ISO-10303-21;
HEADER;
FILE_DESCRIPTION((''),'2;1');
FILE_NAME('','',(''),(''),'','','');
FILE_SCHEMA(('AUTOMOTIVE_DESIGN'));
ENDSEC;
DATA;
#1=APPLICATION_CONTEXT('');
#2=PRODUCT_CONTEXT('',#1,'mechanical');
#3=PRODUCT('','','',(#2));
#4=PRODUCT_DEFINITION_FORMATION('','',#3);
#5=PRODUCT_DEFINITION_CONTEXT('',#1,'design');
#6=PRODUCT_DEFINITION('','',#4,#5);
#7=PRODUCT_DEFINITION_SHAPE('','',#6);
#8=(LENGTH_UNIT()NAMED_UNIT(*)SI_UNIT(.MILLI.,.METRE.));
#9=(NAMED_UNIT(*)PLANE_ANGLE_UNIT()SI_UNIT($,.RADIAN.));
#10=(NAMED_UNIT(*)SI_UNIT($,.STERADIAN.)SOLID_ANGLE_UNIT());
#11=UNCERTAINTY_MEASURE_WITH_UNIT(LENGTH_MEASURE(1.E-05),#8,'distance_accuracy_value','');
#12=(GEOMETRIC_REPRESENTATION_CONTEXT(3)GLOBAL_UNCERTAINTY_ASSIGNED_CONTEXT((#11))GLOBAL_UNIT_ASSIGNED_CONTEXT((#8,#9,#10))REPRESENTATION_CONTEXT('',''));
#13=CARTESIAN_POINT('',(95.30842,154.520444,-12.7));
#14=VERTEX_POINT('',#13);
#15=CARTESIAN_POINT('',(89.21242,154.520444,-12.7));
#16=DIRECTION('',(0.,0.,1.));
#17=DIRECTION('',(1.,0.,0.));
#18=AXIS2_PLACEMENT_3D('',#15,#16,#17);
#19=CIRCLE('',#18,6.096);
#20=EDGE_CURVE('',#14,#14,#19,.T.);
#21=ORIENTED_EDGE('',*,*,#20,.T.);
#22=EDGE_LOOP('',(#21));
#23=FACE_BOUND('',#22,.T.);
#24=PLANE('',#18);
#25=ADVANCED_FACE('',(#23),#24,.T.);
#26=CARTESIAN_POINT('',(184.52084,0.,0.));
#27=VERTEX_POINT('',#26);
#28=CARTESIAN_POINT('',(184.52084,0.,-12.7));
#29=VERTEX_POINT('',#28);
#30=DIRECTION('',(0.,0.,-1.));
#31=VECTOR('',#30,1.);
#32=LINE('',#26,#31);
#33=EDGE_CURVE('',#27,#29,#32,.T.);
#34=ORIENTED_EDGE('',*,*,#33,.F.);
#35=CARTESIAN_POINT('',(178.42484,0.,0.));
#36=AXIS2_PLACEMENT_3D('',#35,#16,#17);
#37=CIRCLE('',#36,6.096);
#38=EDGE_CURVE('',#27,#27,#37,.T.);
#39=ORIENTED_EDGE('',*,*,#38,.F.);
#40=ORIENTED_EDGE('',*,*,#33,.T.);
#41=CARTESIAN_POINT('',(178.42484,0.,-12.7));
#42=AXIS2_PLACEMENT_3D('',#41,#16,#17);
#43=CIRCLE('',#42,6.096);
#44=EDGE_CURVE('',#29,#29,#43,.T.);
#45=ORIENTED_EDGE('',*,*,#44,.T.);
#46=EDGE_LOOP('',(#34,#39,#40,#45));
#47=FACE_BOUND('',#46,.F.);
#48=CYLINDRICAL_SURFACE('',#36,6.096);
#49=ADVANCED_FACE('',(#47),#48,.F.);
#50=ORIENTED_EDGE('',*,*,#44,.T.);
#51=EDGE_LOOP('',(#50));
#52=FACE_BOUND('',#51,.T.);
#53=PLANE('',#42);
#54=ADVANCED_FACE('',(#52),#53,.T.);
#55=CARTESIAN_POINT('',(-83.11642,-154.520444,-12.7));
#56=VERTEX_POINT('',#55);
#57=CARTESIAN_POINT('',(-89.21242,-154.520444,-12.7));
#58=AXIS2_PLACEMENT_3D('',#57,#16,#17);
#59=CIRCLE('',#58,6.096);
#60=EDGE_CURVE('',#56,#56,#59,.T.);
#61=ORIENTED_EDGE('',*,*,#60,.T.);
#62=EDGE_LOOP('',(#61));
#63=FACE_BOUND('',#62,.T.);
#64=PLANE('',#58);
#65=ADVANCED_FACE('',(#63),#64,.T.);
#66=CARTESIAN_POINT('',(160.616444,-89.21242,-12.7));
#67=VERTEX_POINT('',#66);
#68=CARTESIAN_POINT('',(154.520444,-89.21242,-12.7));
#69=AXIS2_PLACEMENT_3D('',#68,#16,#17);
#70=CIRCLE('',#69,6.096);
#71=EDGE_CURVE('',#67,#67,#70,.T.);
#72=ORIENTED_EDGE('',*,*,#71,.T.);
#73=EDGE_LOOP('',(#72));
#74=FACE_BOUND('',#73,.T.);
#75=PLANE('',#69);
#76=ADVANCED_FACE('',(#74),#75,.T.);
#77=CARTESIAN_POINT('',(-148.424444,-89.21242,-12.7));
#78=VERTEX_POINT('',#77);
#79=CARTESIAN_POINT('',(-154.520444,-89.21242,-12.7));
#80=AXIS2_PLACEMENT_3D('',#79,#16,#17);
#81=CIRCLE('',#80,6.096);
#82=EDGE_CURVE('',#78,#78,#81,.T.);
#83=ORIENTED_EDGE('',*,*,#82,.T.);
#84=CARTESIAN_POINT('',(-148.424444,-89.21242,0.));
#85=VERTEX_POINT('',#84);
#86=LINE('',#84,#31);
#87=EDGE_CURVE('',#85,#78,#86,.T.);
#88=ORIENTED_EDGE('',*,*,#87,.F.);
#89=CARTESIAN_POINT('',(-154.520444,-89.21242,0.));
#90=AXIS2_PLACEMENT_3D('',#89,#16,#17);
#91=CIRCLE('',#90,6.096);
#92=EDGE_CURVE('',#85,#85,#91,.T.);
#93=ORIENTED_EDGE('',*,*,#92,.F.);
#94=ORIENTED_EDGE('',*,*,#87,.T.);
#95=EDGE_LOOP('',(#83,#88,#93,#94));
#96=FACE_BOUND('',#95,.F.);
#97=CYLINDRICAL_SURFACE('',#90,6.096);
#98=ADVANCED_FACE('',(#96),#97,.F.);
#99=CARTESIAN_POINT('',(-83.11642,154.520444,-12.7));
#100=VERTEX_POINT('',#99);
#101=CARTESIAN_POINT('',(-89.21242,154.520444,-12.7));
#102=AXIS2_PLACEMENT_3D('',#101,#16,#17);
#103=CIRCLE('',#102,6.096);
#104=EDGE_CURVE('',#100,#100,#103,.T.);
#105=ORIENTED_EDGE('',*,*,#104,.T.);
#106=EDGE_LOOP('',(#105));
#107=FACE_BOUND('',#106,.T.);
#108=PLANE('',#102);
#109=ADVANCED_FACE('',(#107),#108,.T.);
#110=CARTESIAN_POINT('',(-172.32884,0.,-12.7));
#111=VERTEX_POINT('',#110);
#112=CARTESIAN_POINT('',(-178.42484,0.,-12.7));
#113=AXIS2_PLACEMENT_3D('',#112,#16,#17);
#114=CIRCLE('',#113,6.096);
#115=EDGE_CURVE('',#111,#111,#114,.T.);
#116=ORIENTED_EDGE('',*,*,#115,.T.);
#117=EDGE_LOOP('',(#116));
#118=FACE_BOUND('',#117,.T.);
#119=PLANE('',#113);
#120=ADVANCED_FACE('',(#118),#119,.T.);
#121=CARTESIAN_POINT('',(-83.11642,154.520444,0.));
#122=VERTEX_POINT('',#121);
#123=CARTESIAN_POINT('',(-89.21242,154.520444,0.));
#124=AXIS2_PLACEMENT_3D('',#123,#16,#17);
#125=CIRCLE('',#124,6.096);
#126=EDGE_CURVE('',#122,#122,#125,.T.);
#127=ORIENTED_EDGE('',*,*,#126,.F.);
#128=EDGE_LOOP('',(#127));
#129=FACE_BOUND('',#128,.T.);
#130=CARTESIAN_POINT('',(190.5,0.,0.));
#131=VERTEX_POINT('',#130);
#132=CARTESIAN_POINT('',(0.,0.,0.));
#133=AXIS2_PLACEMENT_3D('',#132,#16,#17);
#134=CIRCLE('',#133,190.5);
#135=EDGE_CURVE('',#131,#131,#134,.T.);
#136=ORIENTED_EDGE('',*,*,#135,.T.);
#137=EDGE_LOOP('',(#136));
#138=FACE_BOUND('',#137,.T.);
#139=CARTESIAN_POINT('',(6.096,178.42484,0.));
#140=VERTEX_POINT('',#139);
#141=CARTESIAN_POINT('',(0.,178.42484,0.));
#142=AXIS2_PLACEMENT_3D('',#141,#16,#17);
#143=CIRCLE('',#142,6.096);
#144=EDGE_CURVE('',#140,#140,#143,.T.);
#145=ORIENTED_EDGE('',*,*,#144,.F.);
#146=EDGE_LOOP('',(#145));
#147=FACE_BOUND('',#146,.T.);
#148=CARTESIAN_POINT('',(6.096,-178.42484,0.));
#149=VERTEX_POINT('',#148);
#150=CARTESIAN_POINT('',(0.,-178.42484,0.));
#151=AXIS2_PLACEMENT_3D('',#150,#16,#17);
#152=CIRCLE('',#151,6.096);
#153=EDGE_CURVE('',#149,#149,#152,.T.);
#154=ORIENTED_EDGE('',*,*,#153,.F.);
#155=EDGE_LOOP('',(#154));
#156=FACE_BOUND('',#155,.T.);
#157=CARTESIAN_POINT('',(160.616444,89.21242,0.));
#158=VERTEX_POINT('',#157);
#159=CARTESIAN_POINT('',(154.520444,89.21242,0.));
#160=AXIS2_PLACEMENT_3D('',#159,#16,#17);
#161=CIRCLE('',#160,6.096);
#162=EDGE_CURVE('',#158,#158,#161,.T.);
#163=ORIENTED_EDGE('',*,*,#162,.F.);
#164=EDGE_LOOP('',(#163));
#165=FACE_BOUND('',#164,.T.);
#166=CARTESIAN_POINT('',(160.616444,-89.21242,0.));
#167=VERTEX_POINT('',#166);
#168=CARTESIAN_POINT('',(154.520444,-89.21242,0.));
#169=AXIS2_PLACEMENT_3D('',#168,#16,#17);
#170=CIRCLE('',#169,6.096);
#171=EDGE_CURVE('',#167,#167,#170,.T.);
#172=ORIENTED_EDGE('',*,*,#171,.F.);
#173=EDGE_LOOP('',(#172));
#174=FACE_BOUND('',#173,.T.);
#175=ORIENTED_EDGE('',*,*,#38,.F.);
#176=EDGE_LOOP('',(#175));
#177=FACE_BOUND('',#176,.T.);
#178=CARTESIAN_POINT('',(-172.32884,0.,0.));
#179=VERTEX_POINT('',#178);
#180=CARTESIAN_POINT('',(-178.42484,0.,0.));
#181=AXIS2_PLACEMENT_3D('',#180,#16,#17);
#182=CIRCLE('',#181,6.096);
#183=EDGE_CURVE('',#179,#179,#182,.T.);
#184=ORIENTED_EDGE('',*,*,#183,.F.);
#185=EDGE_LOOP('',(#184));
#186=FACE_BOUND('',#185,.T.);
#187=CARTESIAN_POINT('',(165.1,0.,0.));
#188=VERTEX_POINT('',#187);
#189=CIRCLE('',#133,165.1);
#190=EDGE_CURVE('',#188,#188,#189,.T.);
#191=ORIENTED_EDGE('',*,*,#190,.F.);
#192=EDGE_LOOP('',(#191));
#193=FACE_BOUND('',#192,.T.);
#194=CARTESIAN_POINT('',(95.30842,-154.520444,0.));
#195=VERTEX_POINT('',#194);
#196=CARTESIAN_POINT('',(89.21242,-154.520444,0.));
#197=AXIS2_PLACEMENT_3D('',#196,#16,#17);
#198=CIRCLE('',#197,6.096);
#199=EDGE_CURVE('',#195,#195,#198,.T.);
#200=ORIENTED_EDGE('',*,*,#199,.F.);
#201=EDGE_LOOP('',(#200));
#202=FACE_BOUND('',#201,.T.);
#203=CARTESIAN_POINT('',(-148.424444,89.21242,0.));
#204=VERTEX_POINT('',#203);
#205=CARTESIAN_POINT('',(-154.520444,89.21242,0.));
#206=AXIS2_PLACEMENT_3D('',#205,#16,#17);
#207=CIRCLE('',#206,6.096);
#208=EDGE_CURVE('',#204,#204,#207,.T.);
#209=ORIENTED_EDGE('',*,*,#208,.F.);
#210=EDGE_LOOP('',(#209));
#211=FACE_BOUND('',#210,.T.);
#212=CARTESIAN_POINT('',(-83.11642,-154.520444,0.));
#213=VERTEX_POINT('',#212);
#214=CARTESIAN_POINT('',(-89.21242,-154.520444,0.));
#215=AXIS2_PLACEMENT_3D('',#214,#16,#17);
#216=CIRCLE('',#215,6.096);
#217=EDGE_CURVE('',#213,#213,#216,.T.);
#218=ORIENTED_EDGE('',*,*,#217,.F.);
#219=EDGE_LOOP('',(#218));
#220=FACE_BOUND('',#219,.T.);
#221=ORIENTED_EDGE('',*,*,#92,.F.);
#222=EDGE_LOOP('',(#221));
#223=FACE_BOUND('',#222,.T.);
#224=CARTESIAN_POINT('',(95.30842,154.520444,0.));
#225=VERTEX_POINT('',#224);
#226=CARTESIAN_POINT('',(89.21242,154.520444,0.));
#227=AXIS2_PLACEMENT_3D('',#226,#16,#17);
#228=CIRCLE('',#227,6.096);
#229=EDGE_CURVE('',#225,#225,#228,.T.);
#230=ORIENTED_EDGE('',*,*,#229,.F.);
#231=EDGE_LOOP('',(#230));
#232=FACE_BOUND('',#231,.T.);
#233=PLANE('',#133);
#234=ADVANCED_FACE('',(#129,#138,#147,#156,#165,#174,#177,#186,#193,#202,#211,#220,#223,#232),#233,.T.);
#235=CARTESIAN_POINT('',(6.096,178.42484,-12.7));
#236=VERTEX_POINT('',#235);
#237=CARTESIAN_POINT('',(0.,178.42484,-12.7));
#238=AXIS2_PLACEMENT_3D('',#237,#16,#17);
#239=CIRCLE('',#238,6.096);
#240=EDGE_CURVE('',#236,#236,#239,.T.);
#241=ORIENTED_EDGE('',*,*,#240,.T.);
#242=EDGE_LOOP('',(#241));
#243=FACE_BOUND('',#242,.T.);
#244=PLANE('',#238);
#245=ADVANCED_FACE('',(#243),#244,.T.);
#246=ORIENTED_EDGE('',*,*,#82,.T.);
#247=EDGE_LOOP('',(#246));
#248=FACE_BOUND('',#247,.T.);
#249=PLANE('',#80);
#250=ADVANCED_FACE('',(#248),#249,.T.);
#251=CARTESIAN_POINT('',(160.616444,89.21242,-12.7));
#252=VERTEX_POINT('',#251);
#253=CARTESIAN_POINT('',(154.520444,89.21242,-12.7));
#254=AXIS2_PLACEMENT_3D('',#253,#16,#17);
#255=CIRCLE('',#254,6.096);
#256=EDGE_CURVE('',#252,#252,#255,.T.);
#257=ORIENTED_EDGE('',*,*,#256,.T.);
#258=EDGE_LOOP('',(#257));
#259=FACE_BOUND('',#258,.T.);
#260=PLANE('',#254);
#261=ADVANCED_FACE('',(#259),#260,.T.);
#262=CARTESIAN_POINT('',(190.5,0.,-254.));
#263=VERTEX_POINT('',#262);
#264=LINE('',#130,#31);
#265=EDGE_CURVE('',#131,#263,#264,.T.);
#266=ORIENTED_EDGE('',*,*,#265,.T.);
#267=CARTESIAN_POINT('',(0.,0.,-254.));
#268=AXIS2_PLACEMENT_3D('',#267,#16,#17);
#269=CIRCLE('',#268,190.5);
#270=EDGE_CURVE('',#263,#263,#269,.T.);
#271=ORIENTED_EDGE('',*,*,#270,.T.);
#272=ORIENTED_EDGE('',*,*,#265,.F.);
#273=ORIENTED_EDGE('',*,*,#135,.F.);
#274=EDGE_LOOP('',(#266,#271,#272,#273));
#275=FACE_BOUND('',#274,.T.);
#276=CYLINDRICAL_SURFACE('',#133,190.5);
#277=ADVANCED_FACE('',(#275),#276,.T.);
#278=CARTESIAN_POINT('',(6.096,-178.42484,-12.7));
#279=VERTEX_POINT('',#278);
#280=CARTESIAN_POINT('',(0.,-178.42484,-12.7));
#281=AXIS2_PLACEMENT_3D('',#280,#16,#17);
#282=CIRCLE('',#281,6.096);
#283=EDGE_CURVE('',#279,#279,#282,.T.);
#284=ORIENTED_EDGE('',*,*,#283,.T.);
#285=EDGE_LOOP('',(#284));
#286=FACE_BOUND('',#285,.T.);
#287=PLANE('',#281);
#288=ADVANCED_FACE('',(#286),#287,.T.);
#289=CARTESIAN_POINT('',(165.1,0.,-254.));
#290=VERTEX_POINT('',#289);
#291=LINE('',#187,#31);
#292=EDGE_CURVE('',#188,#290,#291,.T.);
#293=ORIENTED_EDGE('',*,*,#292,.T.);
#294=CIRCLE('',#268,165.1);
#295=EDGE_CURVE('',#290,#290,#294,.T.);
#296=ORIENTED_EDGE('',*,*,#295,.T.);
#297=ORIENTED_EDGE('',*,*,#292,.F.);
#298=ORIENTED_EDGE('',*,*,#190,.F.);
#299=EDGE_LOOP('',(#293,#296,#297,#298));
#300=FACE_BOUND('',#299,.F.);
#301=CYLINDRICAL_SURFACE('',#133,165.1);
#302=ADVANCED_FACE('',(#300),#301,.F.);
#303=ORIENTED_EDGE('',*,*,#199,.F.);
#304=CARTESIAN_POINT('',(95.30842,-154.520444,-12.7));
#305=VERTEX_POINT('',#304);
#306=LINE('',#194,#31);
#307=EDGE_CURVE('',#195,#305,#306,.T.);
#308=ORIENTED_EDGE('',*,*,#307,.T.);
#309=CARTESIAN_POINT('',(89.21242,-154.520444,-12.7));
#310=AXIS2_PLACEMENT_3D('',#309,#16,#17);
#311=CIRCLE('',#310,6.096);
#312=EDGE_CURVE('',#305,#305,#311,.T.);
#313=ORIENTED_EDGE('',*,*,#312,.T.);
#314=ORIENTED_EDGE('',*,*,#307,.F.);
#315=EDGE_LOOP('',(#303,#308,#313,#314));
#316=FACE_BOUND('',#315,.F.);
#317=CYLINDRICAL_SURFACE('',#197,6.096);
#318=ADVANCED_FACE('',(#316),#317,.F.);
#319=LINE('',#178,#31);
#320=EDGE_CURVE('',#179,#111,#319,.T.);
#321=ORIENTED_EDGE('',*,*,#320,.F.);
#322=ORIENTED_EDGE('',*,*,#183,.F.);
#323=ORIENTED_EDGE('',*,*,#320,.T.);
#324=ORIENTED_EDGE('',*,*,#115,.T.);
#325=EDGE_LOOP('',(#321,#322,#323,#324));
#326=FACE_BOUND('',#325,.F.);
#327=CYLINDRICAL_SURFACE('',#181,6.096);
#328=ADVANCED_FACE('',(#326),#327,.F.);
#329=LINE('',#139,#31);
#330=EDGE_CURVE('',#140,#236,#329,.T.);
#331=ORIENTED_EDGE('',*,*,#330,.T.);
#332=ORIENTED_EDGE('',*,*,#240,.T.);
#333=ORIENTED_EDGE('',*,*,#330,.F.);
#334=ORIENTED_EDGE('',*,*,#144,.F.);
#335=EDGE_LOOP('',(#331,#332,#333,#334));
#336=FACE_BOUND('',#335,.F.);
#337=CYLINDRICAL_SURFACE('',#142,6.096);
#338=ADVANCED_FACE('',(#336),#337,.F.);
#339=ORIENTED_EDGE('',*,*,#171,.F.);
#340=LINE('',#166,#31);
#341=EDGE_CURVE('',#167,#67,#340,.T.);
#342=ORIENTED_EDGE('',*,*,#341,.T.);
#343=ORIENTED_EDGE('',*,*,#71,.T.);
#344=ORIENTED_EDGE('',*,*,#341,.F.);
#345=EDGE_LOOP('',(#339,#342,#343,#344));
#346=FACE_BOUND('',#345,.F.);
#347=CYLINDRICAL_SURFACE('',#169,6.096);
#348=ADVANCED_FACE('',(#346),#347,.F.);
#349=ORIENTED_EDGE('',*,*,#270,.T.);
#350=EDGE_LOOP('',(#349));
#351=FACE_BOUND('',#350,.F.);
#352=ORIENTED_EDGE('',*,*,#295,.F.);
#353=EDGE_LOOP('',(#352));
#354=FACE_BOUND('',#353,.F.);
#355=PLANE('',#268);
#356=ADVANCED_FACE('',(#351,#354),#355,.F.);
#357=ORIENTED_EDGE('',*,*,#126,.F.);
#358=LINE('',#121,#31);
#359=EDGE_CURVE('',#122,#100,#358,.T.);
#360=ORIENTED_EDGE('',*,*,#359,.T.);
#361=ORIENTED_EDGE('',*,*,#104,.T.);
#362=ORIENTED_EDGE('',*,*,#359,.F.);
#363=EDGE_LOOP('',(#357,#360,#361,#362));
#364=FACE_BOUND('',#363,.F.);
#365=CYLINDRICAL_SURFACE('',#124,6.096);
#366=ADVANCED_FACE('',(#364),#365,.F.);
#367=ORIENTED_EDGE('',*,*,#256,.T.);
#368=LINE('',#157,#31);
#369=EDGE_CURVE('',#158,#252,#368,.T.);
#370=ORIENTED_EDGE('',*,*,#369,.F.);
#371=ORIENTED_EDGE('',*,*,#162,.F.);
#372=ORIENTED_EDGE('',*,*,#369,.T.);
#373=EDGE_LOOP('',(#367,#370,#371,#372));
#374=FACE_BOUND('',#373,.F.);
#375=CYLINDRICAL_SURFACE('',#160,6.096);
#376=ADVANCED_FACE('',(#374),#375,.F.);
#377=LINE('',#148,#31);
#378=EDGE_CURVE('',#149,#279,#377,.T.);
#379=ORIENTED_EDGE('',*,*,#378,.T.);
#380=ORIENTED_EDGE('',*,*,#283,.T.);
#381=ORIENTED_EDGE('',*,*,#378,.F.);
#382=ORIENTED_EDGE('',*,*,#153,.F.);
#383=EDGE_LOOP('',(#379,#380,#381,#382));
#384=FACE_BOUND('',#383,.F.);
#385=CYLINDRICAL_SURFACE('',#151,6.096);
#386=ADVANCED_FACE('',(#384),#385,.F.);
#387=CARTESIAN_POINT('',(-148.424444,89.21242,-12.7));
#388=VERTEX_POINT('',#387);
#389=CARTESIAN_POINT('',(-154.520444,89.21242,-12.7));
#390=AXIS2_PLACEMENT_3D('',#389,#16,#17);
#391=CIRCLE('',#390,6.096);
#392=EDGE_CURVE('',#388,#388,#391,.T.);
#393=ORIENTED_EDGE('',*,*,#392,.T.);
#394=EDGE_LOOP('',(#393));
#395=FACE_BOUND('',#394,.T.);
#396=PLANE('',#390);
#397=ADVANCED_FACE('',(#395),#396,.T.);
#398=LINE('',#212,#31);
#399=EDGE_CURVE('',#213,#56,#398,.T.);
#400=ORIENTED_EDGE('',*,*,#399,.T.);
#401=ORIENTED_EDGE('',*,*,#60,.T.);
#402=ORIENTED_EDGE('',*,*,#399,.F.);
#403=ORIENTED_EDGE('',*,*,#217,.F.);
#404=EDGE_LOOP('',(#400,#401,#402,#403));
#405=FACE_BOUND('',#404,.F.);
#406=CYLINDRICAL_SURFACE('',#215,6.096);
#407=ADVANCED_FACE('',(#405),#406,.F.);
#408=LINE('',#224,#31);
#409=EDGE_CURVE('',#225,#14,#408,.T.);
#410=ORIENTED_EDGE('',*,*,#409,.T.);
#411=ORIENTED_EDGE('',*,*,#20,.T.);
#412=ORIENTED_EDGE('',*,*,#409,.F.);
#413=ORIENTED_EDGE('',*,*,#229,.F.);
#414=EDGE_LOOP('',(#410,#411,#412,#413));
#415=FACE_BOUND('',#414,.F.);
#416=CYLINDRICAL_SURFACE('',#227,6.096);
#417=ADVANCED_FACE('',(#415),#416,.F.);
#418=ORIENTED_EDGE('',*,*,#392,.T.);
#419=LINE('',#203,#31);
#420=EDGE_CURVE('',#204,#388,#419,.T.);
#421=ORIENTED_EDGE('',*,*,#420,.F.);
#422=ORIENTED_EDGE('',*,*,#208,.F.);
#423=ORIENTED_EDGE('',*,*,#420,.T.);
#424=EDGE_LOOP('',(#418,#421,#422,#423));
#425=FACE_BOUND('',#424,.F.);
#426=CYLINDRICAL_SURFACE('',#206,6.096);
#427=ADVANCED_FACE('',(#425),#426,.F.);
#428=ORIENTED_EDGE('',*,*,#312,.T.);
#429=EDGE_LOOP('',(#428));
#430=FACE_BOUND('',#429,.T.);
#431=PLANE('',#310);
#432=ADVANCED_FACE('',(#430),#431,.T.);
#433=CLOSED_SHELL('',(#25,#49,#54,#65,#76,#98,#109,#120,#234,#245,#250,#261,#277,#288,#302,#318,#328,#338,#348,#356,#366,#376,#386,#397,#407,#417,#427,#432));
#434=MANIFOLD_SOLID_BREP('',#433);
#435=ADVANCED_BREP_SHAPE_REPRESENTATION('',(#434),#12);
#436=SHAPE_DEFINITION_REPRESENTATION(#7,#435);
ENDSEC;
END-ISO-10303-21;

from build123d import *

# Parameters (mm, degrees)
F0_R     = 190.5
F0_R_2   = 165.1
F1_DEPTH = 254
F2_R     = 6.096
F3_DEPTH = 12.7


with BuildPart() as f1:
    # F0 (on Top) → F1 (new body)
    with BuildSketch(Plane.XY):
        Circle(F0_R)
        Circle(F0_R_2, mode=Mode.SUBTRACT)
    extrude(amount=-F1_DEPTH)

    # F2 (on Top) → F3 (cut)
    with BuildSketch(Plane.XY):
        with Locations((0, 178.42484)):
            Circle(F2_R)
        with Locations((-89.21242, 154.5204441062)):
            Circle(F2_R)
        with Locations((-154.5204441062, 89.21242)):
            Circle(F2_R)
        with Locations((-178.42484, 0)):
            Circle(F2_R)
        with Locations((-154.5204441062, -89.21242)):
            Circle(F2_R)
        with Locations((-89.21242, -154.5204441062)):
            Circle(F2_R)
        with Locations((0, -178.42484)):
            Circle(F2_R)
        with Locations((89.21242, -154.5204441062)):
            Circle(F2_R)
        with Locations((154.5204441062, -89.21242)):
            Circle(F2_R)
        with Locations((178.42484, 0)):
            Circle(F2_R)
        with Locations((154.5204441062, 89.21242)):
            Circle(F2_R)
        with Locations((89.21242, 154.5204441062)):
            Circle(F2_R)
    extrude(amount=-F3_DEPTH, mode=Mode.SUBTRACT)


solid = f1.part
